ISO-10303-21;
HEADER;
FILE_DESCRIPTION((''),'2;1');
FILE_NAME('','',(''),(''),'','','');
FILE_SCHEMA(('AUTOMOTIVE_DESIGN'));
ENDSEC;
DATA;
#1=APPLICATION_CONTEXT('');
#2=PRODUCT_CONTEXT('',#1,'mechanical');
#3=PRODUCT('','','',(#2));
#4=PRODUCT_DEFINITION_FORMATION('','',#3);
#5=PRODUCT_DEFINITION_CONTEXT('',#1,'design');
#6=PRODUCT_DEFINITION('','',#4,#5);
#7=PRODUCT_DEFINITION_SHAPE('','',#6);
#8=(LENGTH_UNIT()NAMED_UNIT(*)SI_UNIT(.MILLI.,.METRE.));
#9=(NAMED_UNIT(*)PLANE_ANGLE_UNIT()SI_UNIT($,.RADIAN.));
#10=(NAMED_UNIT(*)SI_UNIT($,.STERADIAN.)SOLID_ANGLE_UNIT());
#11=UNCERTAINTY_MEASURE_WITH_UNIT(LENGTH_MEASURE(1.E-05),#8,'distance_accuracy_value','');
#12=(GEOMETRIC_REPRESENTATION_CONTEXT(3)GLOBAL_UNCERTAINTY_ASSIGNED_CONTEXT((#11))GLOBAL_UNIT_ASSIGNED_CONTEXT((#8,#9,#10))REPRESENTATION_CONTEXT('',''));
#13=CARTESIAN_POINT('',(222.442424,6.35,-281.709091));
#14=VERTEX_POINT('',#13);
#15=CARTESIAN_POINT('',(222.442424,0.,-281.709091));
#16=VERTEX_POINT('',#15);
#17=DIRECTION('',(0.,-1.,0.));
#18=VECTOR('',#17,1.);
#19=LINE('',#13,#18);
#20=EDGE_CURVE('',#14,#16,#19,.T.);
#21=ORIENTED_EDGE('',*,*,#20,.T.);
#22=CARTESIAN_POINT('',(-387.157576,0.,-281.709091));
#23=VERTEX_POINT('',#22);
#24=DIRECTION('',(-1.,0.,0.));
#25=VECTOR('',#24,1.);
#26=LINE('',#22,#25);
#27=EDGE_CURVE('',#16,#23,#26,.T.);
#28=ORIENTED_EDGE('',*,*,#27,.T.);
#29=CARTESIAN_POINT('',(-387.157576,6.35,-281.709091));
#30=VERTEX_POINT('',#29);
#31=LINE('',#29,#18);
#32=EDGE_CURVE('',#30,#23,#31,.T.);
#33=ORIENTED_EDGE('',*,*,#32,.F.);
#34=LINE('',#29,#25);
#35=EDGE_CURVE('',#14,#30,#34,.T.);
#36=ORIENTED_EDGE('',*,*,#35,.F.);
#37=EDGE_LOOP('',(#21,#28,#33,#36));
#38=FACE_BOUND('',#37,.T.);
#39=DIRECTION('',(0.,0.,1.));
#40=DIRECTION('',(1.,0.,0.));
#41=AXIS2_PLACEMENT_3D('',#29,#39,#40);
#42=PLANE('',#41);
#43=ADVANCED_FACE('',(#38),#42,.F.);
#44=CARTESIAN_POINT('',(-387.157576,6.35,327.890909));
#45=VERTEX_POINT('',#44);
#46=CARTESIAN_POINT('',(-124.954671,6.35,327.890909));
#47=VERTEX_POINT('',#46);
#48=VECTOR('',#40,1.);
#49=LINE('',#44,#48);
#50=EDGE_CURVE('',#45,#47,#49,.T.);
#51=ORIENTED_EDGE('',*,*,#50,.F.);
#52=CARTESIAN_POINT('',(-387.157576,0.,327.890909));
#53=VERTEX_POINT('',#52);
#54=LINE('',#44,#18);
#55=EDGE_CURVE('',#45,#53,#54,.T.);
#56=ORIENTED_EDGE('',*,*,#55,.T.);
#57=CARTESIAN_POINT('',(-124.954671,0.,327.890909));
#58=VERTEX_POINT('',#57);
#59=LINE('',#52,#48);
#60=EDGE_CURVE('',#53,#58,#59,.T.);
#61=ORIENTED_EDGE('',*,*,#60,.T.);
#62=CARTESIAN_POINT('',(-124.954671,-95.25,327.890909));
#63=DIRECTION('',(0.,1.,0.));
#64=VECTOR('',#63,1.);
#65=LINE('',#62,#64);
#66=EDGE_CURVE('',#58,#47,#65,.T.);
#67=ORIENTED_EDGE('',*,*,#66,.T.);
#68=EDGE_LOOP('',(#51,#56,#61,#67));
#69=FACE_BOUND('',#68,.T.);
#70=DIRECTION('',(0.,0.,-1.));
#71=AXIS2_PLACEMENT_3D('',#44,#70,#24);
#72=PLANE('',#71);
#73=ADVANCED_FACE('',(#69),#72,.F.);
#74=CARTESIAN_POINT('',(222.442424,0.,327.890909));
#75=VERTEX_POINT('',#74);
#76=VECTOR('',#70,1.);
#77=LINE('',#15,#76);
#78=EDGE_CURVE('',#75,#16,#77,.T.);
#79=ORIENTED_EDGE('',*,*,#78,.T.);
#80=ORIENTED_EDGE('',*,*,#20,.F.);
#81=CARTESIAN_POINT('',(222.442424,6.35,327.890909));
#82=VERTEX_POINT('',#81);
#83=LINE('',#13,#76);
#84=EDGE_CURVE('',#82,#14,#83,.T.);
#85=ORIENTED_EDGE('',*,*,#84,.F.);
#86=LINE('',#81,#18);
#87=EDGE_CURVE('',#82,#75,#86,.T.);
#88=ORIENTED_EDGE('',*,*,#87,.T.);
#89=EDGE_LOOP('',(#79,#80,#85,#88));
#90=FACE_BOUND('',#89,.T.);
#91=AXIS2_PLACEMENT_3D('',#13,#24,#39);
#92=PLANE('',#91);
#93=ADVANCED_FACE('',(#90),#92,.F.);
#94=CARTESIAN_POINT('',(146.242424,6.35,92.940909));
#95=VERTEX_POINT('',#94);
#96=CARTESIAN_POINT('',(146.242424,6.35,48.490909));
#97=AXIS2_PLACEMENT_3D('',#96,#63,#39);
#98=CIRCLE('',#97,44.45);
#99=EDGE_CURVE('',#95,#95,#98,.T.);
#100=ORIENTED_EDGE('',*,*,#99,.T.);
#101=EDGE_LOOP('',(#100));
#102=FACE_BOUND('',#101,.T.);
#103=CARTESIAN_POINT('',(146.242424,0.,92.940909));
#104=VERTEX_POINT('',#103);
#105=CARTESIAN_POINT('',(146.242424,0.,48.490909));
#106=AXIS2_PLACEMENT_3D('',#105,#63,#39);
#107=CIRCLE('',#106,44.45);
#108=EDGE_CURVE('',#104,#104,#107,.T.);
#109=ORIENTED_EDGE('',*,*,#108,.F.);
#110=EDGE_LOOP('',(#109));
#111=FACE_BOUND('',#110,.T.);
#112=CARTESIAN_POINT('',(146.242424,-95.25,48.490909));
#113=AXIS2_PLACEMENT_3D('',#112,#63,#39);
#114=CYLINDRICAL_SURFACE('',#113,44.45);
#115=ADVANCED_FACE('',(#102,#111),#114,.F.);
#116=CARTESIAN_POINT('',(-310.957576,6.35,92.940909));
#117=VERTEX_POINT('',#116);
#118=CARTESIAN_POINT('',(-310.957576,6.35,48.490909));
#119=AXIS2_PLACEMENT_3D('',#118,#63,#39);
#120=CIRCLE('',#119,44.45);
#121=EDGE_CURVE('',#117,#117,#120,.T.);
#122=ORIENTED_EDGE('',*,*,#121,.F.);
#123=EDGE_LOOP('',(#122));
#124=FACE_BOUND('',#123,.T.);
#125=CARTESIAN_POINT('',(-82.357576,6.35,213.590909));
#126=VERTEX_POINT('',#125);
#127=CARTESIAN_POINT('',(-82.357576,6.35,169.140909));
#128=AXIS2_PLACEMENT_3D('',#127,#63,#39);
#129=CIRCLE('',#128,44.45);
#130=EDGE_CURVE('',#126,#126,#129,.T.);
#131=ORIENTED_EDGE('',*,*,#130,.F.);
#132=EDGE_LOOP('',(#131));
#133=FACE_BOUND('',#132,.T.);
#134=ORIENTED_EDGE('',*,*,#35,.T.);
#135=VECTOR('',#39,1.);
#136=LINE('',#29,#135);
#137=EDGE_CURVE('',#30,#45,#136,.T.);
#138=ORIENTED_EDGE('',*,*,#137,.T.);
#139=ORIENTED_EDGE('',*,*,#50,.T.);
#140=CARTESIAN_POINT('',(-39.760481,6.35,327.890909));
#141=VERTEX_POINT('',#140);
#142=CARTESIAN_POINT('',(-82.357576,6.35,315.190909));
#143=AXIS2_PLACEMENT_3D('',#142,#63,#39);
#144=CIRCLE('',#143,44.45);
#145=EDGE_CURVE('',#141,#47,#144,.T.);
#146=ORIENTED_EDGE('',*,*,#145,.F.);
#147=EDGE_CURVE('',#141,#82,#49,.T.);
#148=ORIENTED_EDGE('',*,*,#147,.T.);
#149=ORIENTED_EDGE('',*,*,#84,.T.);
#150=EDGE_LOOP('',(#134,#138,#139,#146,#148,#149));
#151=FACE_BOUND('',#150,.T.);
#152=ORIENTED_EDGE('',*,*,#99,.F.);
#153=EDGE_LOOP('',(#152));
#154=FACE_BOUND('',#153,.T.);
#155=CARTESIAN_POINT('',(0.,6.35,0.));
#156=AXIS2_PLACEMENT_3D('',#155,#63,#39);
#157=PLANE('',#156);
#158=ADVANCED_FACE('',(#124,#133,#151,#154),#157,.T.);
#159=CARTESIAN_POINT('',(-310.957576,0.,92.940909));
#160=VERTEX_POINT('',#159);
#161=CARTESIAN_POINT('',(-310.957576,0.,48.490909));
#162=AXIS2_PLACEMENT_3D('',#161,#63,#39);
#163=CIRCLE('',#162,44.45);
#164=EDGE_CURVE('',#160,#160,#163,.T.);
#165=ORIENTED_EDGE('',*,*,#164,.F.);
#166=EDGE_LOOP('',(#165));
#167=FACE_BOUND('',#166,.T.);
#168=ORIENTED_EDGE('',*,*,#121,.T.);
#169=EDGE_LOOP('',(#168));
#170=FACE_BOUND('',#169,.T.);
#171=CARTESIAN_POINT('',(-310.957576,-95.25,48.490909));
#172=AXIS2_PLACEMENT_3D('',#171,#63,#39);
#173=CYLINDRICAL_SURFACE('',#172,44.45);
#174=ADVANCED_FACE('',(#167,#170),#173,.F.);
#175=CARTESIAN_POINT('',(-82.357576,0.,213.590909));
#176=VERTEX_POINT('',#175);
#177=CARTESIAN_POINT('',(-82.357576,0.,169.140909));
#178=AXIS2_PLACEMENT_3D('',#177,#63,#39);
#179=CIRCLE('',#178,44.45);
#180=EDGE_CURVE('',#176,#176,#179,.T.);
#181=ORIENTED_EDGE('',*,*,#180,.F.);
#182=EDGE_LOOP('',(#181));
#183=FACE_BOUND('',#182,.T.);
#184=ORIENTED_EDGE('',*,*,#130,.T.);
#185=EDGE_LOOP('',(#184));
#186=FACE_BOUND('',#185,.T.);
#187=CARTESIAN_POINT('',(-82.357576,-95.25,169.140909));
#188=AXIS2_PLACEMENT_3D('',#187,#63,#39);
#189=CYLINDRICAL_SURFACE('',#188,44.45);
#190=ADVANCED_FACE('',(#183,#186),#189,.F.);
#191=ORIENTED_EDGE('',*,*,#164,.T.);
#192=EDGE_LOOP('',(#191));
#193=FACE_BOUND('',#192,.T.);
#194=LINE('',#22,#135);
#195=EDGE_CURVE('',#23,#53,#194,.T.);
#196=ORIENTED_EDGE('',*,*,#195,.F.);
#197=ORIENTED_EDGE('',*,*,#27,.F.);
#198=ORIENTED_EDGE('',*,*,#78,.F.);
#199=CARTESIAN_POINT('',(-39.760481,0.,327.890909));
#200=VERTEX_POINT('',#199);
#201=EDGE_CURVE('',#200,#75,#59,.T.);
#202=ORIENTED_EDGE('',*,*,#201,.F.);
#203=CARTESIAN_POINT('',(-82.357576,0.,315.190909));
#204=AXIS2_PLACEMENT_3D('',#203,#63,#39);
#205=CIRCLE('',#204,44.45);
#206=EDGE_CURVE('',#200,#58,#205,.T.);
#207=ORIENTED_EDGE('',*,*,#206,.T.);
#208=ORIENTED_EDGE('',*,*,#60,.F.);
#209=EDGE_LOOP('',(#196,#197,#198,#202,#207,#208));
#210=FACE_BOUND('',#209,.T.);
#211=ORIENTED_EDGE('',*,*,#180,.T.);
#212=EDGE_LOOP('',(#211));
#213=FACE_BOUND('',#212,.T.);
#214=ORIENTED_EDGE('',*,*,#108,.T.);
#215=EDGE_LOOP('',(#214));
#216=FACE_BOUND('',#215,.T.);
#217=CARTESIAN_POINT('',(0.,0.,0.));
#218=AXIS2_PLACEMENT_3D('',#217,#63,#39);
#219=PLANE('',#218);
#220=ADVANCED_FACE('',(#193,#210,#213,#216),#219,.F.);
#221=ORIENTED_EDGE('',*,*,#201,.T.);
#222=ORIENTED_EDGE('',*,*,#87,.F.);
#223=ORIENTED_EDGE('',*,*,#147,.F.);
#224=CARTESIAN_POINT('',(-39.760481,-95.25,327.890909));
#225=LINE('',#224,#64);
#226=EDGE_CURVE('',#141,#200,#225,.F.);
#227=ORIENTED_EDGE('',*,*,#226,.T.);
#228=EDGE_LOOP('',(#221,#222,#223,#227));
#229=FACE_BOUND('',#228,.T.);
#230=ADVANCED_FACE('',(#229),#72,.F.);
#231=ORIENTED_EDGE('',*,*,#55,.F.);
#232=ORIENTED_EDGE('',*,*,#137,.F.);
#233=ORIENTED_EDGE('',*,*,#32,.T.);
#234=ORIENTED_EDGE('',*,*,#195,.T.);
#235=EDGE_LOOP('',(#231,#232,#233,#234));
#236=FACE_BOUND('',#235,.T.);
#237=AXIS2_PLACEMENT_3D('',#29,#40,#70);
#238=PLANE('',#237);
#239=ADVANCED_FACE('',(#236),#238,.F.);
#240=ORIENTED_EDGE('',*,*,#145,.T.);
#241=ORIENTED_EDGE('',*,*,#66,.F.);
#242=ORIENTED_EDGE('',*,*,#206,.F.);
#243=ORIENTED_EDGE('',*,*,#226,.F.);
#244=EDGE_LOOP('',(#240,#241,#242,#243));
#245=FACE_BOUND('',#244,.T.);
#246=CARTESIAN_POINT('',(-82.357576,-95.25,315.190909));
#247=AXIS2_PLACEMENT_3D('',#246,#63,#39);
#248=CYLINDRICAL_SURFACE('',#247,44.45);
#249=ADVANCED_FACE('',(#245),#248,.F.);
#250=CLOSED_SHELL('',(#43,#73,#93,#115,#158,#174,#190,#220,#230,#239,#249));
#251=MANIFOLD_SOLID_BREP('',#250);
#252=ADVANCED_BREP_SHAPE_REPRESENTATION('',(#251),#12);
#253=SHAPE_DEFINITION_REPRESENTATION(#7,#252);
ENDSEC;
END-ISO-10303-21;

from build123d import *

# Parameters (mm, degrees)
SKETCH1_W           = 609.6
SKETCH1_H           = 609.6
BOSS_EXTRUDE1_DEPTH = 6.35
SKETCH2_R           = 44.45
CUT_EXTRUDE1_DEPTH  = 101.6


with BuildPart() as part:
    # Sketch1 → Boss-Extrude1 (new body)
    with BuildSketch(Plane(origin=(0, 0, 0), x_dir=(1, 0, 0), z_dir=(0, 1, 0))):
        with Locations((-82.357575758, -23.090909091)):
            Rectangle(SKETCH1_W, SKETCH1_H)
    extrude(amount=BOSS_EXTRUDE1_DEPTH)

    # Sketch2 → Cut-Extrude1 (cut)
    with BuildSketch(Plane(origin=(0, 6.35, 0), x_dir=(1, 0, 0), z_dir=(0, 1, 0))):
        with Locations(Location((-82.357575758, -169.140909091, 0), (0, 0, 270))):
            Circle(SKETCH2_R)
        with Locations((-82.357575758, -315.190909091)):
            Circle(SKETCH2_R)
        with Locations(Location((-310.957575758, -48.490909091, 0), (0, 0, 270))):
            Circle(SKETCH2_R)
        with Locations(Location((146.242424242, -48.490909091, 0), (0, 0, 270))):
            Circle(SKETCH2_R)
    extrude(amount=-CUT_EXTRUDE1_DEPTH, mode=Mode.SUBTRACT)


solid = part.part
